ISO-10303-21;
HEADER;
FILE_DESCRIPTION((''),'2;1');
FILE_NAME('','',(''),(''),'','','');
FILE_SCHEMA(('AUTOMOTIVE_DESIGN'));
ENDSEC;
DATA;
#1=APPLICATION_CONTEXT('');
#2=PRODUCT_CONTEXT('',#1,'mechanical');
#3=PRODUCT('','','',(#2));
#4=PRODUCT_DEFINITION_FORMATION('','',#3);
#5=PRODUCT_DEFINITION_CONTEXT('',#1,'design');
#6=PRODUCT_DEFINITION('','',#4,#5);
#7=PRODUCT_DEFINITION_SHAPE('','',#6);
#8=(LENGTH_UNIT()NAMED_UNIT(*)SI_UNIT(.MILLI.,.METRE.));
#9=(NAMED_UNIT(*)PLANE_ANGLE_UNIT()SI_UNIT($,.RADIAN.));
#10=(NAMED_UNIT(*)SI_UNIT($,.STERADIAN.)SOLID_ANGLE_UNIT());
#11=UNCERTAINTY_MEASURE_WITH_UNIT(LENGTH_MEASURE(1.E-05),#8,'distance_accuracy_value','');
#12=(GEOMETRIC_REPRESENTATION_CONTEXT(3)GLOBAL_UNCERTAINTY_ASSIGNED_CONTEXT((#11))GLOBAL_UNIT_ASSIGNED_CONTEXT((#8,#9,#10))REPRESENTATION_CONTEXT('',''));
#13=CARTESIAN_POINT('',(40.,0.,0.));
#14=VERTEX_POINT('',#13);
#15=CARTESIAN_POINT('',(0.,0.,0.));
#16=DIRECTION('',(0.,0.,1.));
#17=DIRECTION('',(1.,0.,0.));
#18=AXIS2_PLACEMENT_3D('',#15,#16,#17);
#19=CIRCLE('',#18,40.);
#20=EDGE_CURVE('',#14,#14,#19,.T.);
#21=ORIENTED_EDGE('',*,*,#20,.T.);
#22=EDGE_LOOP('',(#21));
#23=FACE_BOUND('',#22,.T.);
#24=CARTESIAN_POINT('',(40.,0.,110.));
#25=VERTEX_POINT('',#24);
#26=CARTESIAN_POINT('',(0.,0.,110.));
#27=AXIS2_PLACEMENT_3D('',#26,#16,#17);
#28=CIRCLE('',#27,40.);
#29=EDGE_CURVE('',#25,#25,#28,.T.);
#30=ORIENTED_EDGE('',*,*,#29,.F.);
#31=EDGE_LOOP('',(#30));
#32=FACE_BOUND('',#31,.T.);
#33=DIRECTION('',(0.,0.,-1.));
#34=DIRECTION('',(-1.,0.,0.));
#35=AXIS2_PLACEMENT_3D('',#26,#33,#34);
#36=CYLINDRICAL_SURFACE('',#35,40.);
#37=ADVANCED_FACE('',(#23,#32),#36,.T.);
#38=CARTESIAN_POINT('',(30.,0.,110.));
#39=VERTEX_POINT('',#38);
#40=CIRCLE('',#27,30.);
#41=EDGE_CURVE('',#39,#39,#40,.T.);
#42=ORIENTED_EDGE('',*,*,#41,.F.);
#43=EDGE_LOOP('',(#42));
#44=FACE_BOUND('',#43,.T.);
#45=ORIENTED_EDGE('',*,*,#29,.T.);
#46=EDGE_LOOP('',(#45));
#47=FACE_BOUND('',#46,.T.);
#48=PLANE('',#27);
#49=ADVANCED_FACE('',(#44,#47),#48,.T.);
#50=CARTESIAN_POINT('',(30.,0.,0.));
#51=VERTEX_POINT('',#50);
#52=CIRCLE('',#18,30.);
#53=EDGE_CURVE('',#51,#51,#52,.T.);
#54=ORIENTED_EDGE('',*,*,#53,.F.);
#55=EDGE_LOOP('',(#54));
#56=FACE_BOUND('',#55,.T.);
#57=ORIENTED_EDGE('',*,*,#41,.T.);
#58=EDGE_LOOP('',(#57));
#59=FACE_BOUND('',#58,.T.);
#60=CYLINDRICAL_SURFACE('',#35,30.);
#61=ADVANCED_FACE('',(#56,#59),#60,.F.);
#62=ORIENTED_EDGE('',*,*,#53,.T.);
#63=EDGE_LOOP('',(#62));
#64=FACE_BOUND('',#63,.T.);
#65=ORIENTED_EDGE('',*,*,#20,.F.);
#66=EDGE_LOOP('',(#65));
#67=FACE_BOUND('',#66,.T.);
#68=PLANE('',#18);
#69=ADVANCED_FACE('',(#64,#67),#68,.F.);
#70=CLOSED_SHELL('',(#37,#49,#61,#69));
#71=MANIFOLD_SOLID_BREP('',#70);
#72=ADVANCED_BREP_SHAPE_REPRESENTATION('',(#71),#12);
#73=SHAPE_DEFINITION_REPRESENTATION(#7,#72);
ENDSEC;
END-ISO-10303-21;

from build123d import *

# Parameters (mm, degrees)
IZIM1_R                     = 40
IZIM1_R_2                   = 30
Y_KSEKLIK_EKSTR_ZYON1_DEPTH = 110


with BuildPart() as part:
    # Çizim1 → Yükseklik-Ekstrüzyon1 (new body)
    with BuildSketch(Plane.XY):
        Circle(IZIM1_R)
        Circle(IZIM1_R_2, mode=Mode.SUBTRACT)
    extrude(amount=Y_KSEKLIK_EKSTR_ZYON1_DEPTH)


solid = part.part
